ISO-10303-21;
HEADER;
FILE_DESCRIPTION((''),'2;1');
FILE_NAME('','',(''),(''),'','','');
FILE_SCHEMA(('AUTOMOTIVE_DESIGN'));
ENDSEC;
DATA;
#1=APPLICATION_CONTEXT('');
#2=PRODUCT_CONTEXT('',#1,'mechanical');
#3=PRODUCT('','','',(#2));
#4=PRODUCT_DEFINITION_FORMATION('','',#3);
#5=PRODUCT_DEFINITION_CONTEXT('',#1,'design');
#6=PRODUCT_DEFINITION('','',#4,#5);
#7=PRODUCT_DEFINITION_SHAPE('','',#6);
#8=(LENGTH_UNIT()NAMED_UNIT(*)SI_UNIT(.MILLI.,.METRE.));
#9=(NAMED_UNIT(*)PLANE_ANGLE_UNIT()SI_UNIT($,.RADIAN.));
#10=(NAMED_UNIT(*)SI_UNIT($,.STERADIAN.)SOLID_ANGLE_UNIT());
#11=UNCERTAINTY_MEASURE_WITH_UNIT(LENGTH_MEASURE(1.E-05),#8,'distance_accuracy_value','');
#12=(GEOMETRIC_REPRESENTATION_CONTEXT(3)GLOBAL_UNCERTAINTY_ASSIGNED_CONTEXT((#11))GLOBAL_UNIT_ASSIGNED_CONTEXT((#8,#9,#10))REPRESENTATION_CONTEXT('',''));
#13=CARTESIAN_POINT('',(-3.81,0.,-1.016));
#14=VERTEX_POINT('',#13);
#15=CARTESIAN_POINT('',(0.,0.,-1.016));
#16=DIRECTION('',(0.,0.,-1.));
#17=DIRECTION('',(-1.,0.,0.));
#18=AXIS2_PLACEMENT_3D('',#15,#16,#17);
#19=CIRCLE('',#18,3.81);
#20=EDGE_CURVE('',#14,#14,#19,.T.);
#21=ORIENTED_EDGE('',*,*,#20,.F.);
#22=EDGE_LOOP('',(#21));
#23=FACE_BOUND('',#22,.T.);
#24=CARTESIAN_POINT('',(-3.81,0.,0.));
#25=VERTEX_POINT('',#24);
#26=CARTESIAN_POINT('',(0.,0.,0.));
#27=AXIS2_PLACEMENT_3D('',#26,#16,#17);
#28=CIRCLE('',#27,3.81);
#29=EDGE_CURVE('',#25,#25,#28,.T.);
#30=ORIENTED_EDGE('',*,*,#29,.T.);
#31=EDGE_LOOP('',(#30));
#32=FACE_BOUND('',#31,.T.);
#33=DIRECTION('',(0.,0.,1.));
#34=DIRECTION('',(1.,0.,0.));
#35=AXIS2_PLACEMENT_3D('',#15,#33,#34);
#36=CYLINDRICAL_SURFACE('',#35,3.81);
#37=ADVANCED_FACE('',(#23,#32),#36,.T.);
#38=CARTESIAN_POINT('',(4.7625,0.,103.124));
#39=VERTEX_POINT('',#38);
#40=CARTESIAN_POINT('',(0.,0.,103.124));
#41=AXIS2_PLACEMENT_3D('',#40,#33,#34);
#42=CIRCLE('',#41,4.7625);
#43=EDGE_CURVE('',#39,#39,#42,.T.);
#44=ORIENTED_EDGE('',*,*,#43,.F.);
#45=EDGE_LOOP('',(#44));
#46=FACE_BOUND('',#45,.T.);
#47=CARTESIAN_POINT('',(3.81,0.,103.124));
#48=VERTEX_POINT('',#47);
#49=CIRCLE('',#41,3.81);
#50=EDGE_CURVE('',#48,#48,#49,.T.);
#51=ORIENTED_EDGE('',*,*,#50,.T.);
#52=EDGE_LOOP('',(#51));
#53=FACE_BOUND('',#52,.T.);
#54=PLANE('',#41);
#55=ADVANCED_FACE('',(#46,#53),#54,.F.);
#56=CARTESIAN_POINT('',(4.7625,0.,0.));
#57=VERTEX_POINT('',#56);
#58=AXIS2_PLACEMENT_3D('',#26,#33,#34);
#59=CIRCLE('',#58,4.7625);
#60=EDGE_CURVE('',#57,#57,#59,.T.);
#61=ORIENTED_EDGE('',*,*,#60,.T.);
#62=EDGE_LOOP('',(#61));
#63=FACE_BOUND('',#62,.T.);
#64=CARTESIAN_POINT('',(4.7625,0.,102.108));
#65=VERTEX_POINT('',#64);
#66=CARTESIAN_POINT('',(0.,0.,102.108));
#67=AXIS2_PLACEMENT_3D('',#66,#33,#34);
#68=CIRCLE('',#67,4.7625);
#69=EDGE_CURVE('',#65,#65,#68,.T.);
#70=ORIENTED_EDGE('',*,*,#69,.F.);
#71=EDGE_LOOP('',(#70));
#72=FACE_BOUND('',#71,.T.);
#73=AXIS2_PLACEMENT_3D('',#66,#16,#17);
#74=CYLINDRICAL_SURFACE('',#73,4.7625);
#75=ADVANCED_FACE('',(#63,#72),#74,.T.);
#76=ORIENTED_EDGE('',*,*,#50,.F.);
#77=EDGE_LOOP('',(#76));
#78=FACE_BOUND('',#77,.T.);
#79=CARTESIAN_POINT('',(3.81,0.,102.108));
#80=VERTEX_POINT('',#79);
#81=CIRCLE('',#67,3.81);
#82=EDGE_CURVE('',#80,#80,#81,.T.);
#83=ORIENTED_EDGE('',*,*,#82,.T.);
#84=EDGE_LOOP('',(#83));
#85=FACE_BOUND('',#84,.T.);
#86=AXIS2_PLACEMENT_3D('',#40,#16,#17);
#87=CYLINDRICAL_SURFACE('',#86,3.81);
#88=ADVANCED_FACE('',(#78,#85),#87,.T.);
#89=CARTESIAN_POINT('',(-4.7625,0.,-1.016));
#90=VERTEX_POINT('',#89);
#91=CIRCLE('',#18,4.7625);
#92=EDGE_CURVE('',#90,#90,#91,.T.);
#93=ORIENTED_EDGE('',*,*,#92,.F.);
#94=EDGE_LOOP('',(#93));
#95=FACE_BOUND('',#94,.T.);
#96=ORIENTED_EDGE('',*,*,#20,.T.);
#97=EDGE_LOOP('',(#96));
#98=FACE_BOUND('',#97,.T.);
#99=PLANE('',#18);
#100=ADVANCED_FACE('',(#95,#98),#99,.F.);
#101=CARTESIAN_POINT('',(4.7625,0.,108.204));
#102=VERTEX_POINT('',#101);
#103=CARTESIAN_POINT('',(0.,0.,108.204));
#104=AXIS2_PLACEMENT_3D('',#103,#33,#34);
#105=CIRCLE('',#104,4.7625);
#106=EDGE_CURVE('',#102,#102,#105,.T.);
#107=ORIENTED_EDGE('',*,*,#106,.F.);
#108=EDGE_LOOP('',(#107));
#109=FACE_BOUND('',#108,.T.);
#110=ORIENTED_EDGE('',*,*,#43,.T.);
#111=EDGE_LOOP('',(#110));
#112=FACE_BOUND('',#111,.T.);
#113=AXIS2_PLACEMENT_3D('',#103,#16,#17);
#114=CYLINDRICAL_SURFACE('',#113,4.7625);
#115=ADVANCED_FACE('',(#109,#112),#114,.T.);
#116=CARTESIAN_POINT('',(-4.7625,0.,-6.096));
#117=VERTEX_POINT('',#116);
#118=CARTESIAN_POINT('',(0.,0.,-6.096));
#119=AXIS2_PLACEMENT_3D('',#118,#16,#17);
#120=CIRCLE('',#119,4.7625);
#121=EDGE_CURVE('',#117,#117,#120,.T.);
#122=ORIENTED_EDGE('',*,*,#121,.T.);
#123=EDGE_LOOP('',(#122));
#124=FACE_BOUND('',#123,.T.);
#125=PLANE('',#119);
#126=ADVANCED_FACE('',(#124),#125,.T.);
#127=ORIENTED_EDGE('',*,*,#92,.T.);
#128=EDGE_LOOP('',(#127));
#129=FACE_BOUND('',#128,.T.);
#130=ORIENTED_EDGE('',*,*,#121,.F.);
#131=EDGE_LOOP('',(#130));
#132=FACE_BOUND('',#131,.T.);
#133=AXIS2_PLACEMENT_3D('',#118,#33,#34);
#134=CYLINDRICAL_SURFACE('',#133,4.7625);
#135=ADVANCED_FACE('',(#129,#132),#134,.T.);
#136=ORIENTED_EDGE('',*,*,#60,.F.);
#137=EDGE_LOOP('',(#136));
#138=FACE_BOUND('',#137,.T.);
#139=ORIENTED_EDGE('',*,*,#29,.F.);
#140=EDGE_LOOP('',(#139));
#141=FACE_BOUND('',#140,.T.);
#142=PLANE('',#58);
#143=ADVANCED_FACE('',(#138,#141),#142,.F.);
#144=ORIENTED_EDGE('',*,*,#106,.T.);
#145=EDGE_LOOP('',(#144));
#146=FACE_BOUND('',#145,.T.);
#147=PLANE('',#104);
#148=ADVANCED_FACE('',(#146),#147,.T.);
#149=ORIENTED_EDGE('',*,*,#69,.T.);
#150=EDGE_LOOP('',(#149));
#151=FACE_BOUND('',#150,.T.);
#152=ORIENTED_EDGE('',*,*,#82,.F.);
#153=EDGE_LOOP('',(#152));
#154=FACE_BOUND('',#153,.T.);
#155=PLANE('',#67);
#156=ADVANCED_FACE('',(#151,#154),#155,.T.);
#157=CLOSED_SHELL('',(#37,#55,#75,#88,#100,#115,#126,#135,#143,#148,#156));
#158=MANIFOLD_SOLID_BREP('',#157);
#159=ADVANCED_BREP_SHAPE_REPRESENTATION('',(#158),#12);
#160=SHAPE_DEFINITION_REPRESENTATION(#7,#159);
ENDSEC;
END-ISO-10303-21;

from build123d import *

# Parameters (mm, degrees)
SKETCH1_R           = 4.7625
BOSS_EXTRUDE1_DEPTH = 102.108
SKETCH2_R           = 3.81
BOSS_EXTRUDE2_DEPTH = 1.016
SKETCH3_R           = 4.7625
BOSS_EXTRUDE3_DEPTH = 5.08
SKETCH4_R           = 3.81
BOSS_EXTRUDE4_DEPTH = 1.016
SKETCH5_R           = 4.7625
BOSS_EXTRUDE5_DEPTH = 5.08


with BuildPart() as part:
    # Sketch1 → Boss-Extrude1 (new body)
    with BuildSketch(Plane.XY):
        Circle(SKETCH1_R)
    extrude(amount=BOSS_EXTRUDE1_DEPTH)

    # Sketch2 → Boss-Extrude2 (add)
    with BuildSketch(Plane(origin=(0, 0, 0), x_dir=(-1, 0, 0), z_dir=(0, 0, -1))):
        Circle(SKETCH2_R)
    extrude(amount=BOSS_EXTRUDE2_DEPTH)

    # Sketch3 → Boss-Extrude3 (add)
    with BuildSketch(Plane(origin=(0, 0, -1.016), x_dir=(-1, 0, 0), z_dir=(0, 0, -1))):
        Circle(SKETCH3_R)
    extrude(amount=BOSS_EXTRUDE3_DEPTH)

    # Sketch4 → Boss-Extrude4 (add)
    with BuildSketch(Plane.XY.offset(102.108)):
        Circle(SKETCH4_R)
    extrude(amount=BOSS_EXTRUDE4_DEPTH)

    # Sketch5 → Boss-Extrude5 (add)
    with BuildSketch(Plane.XY.offset(103.124)):
        Circle(SKETCH5_R)
    extrude(amount=BOSS_EXTRUDE5_DEPTH)


solid = part.part
